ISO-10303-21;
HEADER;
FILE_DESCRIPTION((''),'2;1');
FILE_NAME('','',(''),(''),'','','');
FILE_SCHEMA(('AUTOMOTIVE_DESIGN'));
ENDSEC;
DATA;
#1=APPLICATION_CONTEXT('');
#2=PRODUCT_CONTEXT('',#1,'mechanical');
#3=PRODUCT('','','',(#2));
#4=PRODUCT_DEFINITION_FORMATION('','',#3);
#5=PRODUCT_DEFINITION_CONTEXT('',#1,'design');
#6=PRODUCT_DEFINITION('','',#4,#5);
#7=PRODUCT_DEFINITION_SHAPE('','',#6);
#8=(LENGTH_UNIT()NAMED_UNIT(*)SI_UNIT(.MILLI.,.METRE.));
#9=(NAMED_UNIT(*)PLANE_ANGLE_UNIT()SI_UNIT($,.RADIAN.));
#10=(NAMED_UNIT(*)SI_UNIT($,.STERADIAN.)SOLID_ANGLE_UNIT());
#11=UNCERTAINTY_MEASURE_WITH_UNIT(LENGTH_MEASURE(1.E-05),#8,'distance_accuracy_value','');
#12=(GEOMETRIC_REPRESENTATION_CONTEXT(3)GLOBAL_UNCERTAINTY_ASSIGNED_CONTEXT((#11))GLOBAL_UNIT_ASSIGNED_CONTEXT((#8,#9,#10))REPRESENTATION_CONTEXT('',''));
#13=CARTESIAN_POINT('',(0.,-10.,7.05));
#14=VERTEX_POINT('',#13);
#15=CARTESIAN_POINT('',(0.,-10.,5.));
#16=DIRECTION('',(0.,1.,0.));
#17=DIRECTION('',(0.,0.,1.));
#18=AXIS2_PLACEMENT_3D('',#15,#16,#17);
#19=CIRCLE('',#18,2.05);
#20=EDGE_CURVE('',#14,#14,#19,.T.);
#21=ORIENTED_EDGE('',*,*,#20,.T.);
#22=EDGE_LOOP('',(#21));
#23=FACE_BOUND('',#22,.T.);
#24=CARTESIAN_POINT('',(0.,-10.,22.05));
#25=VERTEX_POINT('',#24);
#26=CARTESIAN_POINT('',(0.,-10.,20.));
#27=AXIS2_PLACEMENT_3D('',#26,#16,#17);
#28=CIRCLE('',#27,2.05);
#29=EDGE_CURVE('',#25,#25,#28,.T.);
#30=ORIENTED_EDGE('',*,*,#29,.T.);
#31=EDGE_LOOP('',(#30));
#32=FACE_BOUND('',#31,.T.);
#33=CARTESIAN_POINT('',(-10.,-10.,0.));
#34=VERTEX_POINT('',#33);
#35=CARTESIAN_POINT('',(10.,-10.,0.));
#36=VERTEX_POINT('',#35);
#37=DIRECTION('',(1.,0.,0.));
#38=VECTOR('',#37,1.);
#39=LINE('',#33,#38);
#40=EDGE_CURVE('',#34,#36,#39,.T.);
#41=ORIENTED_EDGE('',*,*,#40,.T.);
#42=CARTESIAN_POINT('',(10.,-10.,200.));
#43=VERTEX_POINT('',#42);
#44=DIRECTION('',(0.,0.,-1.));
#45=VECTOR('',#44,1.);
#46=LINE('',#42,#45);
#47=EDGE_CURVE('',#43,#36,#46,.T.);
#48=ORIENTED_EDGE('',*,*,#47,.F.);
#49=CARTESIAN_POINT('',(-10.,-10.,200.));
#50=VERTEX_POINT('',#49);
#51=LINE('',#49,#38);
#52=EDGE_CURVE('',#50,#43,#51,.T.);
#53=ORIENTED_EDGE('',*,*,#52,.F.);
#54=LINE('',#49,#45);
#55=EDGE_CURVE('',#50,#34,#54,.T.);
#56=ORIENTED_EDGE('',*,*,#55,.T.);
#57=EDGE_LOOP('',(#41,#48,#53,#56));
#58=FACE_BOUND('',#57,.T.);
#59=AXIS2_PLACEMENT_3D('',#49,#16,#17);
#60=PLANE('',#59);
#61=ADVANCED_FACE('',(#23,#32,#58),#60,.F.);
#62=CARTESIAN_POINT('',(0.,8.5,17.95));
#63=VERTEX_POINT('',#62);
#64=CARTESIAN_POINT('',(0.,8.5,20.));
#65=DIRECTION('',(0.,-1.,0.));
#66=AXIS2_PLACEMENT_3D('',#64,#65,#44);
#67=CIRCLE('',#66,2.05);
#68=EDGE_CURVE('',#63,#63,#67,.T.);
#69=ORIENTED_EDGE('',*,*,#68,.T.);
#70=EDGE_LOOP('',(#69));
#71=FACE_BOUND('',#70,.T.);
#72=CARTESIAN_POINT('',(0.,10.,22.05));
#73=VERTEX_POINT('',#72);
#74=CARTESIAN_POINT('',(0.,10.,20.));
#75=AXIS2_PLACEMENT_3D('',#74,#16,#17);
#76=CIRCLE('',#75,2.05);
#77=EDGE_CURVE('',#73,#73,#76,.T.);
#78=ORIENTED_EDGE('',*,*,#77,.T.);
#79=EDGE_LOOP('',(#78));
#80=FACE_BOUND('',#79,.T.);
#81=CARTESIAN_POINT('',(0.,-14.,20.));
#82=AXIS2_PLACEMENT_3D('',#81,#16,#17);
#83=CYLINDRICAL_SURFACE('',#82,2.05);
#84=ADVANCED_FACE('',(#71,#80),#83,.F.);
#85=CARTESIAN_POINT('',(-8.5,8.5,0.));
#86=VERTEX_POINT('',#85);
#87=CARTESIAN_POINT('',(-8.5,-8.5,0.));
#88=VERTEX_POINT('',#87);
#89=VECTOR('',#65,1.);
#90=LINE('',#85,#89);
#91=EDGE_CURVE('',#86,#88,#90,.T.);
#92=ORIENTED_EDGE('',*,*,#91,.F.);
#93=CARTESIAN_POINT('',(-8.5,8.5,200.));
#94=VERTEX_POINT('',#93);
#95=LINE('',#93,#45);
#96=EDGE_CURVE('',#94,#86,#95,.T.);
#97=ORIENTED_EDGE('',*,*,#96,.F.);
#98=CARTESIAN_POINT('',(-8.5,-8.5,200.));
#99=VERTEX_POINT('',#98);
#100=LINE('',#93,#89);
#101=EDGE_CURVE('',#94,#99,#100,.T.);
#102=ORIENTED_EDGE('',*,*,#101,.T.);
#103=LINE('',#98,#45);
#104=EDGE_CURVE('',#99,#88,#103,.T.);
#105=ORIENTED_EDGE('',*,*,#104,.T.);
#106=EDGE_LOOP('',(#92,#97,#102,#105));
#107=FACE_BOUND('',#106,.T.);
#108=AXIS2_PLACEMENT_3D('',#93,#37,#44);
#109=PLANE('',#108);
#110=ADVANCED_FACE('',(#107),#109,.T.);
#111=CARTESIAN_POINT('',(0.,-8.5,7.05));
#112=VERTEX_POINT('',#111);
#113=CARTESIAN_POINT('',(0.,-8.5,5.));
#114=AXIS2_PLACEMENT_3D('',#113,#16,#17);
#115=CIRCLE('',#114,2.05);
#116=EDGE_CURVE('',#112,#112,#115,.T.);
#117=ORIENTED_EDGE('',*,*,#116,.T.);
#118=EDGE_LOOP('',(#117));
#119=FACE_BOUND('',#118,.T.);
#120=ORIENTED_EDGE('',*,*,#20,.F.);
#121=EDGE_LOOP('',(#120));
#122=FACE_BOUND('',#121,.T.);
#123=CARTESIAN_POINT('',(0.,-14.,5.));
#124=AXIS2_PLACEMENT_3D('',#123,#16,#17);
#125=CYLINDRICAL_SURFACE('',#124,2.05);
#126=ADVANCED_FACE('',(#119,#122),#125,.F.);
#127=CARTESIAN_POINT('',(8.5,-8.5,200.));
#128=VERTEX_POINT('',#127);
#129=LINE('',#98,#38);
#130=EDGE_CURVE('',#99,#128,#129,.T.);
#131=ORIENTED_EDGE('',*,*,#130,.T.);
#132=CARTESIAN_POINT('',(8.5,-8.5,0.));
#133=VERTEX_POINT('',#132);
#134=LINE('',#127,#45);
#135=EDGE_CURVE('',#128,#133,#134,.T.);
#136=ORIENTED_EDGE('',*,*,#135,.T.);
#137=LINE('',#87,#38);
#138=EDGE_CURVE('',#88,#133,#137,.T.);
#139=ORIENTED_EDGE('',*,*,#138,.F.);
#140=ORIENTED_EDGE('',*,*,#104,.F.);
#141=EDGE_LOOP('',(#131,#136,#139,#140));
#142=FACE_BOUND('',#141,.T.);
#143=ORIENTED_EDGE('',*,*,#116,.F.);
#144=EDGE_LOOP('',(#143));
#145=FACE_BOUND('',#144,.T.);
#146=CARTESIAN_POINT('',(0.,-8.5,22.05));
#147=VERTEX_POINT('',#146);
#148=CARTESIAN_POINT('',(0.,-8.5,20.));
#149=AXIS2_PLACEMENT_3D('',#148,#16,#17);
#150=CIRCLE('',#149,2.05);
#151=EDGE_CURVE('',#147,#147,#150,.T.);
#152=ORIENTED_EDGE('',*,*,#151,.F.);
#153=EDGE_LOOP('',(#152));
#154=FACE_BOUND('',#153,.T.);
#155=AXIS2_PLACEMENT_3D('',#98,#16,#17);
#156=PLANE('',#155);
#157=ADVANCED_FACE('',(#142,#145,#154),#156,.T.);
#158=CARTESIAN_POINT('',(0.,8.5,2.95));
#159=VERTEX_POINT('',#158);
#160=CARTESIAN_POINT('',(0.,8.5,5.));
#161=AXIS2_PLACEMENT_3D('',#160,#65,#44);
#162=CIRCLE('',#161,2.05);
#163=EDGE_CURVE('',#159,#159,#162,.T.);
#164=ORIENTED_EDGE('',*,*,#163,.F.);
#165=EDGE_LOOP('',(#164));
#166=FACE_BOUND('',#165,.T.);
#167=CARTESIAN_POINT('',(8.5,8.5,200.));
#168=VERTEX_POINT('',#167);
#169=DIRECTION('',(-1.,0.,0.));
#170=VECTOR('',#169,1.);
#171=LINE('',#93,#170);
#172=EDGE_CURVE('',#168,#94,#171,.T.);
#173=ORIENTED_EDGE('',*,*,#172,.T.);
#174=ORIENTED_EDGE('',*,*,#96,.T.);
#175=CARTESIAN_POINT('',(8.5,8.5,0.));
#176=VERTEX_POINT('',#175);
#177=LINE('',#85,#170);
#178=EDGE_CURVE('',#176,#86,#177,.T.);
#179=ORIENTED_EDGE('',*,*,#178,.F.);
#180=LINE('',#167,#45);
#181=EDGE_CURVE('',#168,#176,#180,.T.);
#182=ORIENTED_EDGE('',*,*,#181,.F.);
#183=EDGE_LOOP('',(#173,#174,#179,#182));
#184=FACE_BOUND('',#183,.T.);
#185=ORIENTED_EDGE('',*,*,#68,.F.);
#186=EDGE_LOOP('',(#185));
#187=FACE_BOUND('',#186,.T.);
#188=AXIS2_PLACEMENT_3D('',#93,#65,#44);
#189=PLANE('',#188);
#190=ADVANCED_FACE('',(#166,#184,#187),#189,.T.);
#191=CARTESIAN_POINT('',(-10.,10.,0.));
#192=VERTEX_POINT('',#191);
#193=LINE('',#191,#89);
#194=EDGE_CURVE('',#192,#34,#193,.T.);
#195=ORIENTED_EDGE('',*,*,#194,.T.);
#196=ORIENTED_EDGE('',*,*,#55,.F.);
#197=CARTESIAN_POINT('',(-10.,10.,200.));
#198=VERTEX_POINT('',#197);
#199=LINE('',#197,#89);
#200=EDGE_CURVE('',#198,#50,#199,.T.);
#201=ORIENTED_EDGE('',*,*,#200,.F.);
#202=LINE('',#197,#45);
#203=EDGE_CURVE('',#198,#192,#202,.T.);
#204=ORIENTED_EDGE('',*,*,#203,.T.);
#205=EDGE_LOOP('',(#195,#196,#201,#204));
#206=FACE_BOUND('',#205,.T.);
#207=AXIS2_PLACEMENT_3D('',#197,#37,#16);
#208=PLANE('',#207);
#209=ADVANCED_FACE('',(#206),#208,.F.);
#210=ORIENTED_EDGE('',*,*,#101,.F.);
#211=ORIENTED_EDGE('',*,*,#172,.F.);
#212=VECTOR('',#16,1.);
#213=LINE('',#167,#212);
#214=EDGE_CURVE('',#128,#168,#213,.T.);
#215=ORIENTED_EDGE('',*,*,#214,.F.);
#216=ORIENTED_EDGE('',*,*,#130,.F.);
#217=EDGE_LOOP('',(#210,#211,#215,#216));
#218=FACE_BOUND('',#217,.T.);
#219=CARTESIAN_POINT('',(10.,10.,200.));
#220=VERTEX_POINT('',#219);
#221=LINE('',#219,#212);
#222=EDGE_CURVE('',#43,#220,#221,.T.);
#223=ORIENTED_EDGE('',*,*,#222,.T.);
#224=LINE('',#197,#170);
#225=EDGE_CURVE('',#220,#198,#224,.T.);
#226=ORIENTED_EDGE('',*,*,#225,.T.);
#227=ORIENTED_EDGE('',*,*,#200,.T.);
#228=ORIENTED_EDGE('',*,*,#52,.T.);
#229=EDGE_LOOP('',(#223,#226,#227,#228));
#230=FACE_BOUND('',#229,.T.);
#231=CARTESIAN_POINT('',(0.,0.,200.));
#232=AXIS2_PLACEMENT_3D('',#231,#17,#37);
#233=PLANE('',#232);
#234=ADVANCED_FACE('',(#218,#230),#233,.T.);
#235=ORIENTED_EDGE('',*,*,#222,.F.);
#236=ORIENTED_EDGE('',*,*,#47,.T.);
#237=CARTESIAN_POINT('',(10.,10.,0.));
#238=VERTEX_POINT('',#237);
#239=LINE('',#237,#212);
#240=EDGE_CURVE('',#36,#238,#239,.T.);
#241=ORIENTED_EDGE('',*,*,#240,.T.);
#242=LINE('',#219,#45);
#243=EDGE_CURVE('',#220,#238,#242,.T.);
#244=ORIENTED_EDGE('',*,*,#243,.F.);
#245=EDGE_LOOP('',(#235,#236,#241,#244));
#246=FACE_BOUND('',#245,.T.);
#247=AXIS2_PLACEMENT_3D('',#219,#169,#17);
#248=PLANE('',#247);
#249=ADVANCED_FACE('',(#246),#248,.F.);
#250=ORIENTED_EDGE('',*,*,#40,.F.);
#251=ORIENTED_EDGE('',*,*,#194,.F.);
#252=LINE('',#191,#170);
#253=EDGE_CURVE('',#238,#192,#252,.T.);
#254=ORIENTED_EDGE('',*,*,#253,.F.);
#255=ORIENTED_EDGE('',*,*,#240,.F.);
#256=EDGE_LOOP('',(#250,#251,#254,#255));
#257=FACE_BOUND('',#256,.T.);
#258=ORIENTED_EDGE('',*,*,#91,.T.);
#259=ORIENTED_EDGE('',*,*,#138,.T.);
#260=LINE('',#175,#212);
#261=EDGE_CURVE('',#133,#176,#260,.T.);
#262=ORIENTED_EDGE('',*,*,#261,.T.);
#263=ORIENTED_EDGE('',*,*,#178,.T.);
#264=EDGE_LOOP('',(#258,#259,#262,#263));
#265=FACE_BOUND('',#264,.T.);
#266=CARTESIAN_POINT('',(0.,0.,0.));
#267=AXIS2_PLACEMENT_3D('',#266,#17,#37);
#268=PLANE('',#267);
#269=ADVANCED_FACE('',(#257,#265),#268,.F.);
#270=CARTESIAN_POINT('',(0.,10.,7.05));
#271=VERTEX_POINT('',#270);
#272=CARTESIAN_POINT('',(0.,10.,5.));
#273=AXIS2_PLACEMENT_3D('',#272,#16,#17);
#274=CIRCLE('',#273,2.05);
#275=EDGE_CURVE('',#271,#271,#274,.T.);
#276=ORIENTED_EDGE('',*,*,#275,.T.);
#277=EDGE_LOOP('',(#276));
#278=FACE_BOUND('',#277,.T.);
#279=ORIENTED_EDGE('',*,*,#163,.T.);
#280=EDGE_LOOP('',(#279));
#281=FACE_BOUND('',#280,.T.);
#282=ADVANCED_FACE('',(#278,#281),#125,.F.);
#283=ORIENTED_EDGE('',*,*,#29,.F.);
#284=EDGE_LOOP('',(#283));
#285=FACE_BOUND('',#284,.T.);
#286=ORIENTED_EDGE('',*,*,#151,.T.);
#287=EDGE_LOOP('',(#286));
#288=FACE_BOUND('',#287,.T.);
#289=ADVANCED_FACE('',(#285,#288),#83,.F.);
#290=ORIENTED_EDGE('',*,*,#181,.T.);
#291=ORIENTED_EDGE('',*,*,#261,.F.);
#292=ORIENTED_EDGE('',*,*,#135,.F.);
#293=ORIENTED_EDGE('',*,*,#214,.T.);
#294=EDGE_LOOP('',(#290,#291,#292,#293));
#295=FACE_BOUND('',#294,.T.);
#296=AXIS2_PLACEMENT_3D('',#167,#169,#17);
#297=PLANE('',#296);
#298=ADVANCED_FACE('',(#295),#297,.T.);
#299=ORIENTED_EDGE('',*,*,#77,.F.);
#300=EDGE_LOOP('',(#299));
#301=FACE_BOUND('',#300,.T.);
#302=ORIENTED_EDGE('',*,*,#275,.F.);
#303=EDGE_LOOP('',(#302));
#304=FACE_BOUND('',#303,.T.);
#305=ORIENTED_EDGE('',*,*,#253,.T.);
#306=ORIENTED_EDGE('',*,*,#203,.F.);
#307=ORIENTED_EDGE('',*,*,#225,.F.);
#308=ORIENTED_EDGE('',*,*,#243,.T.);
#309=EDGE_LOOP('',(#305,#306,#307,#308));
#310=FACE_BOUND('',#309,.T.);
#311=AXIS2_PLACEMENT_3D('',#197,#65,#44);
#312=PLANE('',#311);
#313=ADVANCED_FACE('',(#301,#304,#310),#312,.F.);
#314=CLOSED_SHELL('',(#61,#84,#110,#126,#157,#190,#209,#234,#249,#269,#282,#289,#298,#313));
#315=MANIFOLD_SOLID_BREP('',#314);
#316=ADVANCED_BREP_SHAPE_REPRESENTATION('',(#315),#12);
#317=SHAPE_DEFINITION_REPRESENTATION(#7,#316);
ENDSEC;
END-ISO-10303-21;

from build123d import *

# Parameters (mm, degrees)
SKETCH_1_W          = 20
SKETCH_1_H          = 20
SKETCH_1_W_2        = 17
SKETCH_1_H_2        = 17
EXTRUDE_1_DEPTH     = 200
SKETCH_3_R          = 2.05
CUT_EXTRUDE_1_DEPTH = 24


with BuildPart() as part:
    # 草图1 → 凸台-拉伸1 (new body)
    with BuildSketch(Plane.XY):
        Rectangle(SKETCH_1_W, SKETCH_1_H)
        Rectangle(SKETCH_1_W_2, SKETCH_1_H_2, mode=Mode.SUBTRACT)
    extrude(amount=EXTRUDE_1_DEPTH)

    # 草图3 → 切除-拉伸1 (cut)
    with BuildSketch(Plane(origin=(0, 10, 0), x_dir=(1, 0, 0), z_dir=(0, 1, 0))):
        with Locations(Location((0, -5, 0), (0, 0, 270))):
            Circle(SKETCH_3_R)
        with Locations(Location((0, -20, 0), (0, 0, 270))):
            Circle(SKETCH_3_R)
    extrude(amount=-CUT_EXTRUDE_1_DEPTH, mode=Mode.SUBTRACT)


solid = part.part
